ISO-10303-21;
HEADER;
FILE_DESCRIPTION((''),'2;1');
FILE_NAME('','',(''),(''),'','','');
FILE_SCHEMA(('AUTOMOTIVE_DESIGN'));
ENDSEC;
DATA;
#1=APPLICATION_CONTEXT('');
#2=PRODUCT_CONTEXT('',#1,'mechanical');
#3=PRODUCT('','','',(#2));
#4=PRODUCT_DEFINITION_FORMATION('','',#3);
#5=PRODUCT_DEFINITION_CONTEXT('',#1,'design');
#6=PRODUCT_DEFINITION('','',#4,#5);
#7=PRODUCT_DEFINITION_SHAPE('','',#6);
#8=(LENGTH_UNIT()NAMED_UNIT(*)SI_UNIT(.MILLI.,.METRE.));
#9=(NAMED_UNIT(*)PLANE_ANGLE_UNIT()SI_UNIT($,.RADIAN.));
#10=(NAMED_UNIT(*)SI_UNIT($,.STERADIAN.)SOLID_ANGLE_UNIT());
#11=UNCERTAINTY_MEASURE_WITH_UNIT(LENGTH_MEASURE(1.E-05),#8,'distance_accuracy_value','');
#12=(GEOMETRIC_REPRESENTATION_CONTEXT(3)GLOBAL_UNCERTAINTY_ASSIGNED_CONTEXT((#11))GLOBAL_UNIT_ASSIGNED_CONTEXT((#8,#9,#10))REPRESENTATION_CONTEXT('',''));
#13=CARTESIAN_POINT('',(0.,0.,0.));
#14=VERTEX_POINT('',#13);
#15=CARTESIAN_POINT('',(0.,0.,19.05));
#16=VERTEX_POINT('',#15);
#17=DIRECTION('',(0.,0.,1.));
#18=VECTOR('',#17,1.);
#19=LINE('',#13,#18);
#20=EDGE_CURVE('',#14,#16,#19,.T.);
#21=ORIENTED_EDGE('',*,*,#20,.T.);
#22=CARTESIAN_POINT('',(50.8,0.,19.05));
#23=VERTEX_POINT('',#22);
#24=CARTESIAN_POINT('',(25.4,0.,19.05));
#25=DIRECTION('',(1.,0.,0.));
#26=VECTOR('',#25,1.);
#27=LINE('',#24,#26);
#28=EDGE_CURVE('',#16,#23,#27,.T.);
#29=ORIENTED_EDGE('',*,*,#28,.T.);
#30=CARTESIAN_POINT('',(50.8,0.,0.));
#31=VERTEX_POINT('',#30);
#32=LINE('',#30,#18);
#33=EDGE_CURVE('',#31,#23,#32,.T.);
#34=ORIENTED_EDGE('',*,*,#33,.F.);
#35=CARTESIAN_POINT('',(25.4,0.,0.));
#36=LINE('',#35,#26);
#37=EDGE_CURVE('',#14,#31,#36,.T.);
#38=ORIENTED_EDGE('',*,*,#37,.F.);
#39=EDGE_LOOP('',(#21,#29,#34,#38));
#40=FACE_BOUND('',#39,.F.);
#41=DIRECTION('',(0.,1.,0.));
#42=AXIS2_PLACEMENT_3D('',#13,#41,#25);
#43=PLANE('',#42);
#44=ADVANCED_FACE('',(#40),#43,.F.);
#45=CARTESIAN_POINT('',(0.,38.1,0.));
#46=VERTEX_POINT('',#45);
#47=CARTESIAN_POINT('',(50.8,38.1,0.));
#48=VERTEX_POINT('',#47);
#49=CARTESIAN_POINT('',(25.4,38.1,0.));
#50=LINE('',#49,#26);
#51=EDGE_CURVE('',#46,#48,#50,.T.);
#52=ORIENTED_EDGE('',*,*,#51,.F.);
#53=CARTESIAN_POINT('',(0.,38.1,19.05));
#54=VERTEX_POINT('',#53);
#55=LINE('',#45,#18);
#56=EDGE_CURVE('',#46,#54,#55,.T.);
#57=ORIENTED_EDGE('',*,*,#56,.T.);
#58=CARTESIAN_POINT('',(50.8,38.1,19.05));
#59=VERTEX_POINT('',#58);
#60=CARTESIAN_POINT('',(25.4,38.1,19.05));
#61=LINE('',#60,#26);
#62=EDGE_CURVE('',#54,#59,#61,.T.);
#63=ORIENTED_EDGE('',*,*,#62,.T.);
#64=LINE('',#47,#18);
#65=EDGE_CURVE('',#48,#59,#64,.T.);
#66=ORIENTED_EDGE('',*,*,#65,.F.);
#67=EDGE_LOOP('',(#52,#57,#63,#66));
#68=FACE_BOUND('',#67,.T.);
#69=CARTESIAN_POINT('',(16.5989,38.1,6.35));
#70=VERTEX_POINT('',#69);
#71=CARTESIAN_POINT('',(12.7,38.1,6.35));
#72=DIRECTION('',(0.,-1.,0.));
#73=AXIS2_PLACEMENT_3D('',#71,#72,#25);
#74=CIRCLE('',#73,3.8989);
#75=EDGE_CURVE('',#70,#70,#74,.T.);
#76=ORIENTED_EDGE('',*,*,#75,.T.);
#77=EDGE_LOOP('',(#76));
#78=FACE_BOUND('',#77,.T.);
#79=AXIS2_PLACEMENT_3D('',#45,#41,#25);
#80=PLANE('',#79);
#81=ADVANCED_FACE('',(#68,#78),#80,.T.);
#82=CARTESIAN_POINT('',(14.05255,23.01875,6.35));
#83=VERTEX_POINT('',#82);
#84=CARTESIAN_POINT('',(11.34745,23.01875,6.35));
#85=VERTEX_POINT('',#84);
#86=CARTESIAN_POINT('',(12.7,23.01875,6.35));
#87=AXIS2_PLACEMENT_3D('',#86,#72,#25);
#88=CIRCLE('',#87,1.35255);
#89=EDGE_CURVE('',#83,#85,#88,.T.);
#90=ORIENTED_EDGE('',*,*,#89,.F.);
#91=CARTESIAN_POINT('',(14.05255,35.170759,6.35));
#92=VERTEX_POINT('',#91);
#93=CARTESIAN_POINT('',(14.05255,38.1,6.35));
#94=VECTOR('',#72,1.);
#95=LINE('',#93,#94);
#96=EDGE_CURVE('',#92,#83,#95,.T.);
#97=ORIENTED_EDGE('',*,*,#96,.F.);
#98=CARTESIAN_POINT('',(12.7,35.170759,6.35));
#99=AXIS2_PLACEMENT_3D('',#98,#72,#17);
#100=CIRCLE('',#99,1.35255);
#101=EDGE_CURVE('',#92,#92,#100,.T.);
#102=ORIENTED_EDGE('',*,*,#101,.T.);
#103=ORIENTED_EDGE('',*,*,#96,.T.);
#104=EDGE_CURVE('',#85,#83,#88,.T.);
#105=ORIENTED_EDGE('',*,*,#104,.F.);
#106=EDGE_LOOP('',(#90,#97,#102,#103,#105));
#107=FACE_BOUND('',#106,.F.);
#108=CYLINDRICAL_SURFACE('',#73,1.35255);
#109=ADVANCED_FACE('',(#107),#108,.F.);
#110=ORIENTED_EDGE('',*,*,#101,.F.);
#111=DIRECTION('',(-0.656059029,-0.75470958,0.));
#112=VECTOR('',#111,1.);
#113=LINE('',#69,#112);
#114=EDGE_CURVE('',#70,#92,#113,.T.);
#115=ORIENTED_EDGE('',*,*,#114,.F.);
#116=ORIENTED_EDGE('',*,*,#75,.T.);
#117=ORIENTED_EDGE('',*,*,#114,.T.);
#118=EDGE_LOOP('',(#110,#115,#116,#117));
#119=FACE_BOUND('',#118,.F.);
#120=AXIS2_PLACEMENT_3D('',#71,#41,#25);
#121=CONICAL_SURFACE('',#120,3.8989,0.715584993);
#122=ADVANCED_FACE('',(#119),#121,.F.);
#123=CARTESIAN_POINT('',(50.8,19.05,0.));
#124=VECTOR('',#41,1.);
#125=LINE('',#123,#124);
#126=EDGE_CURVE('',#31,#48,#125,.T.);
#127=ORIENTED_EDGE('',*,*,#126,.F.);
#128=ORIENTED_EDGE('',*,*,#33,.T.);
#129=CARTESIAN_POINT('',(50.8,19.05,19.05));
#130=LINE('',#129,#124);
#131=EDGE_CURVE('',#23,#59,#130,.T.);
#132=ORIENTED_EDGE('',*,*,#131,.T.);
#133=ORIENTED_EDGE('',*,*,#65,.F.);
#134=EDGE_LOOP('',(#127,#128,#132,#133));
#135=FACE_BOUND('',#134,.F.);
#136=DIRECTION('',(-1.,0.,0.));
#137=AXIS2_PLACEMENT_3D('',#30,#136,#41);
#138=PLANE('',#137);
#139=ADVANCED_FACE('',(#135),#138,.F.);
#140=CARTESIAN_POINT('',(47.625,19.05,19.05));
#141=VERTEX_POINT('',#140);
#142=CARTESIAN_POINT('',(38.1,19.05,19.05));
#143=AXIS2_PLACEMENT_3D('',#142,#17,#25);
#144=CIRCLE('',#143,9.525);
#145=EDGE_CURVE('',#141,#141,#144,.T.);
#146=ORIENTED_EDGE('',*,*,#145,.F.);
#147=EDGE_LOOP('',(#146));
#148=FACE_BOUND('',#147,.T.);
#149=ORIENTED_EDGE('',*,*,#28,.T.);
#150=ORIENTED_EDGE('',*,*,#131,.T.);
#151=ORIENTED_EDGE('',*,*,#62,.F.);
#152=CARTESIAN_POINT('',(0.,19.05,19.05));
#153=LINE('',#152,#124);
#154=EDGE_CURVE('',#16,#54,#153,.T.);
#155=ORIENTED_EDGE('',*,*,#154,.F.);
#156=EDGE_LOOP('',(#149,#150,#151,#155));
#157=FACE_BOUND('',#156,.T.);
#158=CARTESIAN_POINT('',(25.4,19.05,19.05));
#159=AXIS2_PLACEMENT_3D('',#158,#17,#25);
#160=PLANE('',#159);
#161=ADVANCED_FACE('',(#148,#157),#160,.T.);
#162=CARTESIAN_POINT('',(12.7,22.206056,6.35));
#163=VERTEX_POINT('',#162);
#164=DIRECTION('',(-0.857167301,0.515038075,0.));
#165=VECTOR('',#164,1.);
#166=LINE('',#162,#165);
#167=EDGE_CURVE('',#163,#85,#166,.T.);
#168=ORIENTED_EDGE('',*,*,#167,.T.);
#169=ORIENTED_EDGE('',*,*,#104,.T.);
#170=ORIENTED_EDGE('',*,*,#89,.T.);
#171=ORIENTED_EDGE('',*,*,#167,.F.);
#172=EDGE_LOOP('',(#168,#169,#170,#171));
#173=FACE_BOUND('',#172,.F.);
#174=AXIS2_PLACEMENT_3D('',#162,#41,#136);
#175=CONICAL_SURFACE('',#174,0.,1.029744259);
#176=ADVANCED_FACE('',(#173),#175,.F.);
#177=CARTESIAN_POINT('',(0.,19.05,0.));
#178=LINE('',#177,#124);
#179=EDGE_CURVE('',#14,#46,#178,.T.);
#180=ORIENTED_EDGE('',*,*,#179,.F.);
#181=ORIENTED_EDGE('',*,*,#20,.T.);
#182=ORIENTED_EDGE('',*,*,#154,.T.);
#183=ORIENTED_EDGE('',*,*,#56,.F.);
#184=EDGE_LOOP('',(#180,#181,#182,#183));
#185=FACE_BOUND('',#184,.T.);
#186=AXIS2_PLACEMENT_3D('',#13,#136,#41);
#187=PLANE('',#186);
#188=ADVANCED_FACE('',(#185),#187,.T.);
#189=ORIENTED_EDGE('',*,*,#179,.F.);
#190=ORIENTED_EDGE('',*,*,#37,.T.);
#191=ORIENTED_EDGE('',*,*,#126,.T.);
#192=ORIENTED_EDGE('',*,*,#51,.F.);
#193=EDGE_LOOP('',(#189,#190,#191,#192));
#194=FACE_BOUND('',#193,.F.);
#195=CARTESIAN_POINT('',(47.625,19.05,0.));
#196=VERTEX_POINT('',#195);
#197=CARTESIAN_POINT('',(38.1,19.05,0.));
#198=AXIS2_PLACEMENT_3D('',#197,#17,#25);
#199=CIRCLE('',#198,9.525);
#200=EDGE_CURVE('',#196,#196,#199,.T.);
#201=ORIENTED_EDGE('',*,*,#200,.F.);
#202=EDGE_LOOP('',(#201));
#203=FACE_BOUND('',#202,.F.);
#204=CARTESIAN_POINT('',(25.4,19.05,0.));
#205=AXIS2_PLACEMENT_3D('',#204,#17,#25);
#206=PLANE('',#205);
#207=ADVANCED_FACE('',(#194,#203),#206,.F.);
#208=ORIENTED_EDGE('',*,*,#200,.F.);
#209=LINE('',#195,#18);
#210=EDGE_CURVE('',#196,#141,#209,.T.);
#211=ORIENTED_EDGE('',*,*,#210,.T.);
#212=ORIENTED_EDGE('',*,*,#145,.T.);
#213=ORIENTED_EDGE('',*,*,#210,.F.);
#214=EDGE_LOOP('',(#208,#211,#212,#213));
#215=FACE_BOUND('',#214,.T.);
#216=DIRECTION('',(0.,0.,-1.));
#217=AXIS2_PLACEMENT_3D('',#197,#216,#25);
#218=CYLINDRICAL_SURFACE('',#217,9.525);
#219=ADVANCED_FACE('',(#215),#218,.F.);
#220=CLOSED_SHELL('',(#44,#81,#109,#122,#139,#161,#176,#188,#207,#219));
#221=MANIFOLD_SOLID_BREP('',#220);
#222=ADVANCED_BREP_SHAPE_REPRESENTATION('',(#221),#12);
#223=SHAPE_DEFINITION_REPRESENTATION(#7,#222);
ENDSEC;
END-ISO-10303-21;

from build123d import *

# Parameters (mm, degrees)
F0_W           = 50.8
F0_H           = 38.1
F0_R           = 9.525
F1_DEPTH       = 19.05
F3_D           = 2.7051
F3_DEPTH       = 15.08125
F3_CSINK_D     = 7.7978
F3_CSINK_ANGLE = 82
F3_TIP         = 0.8126940303


with BuildPart() as f1:
    # F0 (on Top) → F1 (new body)
    with BuildSketch(Plane.XY):
        with Locations((25.4, 19.05)):
            Rectangle(F0_W, F0_H)
        with Locations((38.1, 19.05)):
            Circle(F0_R, mode=Mode.SUBTRACT)
    extrude(amount=F1_DEPTH)

    # F3
    with Locations(Plane(origin=(0, 38.1, 0), x_dir=(-1, 0, 0), z_dir=(0, 1, 0))):
        with Locations((-12.7, 6.35)):
            CounterSinkHole(F3_D / 2, F3_CSINK_D / 2, depth=F3_DEPTH, counter_sink_angle=F3_CSINK_ANGLE)
            with Locations((0, 0, -(F3_DEPTH + F3_TIP / 2))):  # 118° drill point
                Cone(0, F3_D / 2, F3_TIP, mode=Mode.SUBTRACT)


solid = f1.part
